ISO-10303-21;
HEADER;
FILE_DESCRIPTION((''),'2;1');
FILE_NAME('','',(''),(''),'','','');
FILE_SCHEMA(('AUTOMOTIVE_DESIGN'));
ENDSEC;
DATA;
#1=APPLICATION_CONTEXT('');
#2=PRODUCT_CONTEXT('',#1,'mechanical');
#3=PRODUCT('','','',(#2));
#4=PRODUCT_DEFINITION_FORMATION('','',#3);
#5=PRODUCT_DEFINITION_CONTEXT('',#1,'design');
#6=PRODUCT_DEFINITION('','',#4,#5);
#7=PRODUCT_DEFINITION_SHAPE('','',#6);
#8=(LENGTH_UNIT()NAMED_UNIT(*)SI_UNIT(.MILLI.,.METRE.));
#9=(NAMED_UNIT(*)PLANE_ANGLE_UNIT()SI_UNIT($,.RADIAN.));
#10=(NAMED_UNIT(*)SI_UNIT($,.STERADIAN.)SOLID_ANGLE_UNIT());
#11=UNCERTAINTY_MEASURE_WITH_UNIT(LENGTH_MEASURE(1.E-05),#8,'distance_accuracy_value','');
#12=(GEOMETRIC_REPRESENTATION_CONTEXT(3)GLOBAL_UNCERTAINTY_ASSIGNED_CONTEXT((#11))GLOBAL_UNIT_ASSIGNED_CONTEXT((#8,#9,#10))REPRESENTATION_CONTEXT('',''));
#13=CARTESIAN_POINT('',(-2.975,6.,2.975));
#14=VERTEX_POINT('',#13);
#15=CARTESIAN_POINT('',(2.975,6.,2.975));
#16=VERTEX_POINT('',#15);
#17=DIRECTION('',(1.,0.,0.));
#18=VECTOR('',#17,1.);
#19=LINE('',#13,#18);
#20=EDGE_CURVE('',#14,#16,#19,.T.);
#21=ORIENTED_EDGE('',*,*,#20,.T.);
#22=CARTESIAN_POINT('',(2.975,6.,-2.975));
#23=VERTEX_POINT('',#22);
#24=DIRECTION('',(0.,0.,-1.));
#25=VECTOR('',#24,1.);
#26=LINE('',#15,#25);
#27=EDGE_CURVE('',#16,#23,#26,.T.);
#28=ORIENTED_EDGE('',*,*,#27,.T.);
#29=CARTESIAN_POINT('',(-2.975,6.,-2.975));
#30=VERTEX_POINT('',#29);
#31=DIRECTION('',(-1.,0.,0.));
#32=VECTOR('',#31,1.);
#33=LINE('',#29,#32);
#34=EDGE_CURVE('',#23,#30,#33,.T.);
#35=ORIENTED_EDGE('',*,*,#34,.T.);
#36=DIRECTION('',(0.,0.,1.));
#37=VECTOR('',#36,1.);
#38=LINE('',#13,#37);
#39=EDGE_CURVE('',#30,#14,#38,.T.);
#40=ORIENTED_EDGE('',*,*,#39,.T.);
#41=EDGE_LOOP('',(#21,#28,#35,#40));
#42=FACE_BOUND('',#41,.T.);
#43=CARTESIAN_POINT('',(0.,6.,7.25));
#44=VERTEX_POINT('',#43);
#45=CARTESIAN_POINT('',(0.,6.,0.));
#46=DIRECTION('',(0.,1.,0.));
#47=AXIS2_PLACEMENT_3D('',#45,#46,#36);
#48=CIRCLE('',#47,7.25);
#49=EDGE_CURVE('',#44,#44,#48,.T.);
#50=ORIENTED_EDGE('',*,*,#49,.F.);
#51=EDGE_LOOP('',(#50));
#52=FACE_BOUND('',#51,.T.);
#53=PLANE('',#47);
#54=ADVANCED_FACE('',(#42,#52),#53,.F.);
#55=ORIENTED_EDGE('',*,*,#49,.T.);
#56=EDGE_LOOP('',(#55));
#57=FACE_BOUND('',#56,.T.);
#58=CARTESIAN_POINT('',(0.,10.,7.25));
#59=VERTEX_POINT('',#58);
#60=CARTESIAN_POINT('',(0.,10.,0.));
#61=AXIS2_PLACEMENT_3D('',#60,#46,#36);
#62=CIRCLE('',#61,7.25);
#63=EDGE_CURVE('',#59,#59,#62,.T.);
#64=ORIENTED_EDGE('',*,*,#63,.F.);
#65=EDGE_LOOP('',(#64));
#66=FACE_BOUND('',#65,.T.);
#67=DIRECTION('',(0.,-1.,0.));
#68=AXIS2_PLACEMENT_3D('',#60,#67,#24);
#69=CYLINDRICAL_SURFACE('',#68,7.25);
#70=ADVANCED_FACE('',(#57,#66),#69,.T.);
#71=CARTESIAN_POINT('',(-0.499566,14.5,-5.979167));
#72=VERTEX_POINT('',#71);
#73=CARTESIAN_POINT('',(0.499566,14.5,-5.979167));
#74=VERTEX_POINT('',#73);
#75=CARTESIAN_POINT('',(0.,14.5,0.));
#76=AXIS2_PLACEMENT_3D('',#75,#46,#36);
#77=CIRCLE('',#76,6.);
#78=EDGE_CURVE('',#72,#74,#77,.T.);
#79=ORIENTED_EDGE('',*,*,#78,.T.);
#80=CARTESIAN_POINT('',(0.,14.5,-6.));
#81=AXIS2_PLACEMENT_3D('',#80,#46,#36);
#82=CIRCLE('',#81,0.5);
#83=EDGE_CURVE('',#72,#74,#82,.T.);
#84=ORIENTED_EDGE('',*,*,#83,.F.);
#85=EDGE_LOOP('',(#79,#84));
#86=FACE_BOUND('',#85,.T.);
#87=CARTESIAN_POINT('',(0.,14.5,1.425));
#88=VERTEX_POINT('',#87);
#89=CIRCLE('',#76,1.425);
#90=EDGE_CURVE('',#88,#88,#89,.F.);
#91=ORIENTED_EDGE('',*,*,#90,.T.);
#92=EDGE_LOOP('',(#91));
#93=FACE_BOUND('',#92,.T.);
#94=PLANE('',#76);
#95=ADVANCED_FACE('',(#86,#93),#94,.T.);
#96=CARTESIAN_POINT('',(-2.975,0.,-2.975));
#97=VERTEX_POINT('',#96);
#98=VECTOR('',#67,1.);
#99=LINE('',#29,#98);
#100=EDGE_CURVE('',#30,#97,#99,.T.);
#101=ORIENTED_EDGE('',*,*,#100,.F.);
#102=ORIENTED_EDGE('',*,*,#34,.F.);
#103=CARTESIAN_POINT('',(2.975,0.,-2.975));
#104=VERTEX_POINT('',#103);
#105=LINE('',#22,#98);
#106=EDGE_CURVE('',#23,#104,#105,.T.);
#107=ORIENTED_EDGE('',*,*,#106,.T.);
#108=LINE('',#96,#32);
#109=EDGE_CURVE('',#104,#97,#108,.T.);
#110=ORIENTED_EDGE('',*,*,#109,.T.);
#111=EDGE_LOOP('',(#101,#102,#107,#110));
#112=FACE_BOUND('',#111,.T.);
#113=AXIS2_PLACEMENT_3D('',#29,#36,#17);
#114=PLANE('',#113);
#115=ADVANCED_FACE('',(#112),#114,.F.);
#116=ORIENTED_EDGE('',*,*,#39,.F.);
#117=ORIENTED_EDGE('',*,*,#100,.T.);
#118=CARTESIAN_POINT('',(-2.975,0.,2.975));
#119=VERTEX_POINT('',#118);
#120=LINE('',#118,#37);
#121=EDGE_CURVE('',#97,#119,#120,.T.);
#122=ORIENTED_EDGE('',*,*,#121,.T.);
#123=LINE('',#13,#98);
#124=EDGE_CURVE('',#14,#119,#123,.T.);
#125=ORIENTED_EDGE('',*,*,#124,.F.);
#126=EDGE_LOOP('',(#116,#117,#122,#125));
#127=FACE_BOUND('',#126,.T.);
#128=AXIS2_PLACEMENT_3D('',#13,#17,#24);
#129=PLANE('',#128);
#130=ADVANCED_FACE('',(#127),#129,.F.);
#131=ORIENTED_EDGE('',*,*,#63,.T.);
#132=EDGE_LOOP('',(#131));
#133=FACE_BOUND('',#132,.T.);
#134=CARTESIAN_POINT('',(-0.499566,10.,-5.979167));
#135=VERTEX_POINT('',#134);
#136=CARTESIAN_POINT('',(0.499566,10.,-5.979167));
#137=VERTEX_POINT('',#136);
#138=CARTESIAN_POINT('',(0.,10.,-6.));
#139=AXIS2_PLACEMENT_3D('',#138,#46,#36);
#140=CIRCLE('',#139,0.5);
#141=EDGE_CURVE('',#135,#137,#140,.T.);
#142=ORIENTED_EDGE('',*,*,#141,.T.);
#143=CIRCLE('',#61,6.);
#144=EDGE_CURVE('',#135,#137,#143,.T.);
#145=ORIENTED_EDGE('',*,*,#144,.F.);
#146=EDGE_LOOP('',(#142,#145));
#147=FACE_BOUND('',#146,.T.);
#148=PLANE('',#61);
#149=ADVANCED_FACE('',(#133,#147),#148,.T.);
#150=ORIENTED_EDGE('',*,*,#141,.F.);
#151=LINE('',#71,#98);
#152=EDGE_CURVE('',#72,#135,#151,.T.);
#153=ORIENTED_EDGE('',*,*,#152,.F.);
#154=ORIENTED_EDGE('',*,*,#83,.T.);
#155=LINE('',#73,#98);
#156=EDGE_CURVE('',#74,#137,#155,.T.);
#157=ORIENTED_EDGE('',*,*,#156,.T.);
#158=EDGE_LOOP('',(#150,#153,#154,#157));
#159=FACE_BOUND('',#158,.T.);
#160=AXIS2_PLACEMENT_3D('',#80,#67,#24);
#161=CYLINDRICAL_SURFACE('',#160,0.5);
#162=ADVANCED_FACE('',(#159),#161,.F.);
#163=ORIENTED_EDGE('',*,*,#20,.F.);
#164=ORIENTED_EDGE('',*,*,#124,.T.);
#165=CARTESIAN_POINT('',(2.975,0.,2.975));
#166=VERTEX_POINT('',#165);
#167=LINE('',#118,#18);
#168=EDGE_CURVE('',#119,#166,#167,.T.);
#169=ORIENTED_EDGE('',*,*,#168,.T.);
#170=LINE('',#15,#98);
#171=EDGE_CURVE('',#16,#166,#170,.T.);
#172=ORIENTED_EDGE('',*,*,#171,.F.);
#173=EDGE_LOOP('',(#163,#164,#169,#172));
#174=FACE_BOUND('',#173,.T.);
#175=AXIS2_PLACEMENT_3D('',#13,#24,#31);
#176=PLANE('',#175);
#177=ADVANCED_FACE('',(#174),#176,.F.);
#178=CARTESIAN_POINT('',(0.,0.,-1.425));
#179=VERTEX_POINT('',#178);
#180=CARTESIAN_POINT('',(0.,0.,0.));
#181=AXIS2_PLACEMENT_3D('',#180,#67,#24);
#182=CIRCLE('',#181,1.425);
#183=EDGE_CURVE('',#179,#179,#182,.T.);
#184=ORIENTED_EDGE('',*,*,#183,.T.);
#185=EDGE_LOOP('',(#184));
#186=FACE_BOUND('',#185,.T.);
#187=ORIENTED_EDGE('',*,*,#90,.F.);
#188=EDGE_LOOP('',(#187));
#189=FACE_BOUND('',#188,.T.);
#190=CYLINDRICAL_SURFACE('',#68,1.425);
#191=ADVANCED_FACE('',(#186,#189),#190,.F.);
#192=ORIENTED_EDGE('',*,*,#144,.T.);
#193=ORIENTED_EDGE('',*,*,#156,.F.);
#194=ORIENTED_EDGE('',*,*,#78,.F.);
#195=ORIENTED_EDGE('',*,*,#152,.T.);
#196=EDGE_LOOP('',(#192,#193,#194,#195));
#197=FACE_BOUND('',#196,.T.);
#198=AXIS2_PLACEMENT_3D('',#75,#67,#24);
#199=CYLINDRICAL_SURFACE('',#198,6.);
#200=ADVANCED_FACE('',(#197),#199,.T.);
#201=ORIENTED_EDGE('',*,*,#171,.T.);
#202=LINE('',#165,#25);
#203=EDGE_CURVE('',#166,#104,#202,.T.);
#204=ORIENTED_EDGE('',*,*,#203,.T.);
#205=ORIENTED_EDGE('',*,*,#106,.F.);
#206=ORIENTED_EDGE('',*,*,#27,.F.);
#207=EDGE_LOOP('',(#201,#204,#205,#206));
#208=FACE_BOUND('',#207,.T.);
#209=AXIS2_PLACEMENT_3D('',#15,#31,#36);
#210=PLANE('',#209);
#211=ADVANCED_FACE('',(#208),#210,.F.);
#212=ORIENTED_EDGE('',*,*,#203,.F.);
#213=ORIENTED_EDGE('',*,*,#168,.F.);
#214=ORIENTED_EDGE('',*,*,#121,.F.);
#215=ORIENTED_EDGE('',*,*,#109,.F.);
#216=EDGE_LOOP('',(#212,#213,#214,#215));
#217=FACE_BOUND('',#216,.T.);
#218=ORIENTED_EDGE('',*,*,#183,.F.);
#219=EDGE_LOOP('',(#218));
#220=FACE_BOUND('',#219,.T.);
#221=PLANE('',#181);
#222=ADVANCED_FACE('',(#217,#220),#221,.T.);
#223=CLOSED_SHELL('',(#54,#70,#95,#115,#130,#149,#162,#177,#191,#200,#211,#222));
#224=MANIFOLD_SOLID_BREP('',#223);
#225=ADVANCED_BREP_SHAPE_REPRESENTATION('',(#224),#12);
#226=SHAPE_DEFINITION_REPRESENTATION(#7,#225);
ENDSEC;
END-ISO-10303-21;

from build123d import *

# Parameters (mm, degrees)
SKETCH1_W           = 5.95
SKETCH1_H           = 5.95
BOSS_EXTRUDE1_DEPTH = 6
SKETCH2_R           = 7.25
BOSS_EXTRUDE2_DEPTH = 4
SKETCH3_R           = 1.425
CUT_EXTRUDE1_DEPTH  = 15.322185587
SKETCH4_R           = 1.425
BOSS_EXTRUDE4_DEPTH = 4.5


with BuildPart() as part:
    # Sketch1 → Boss-Extrude1 (new body)
    with BuildSketch(Plane(origin=(0, 0, 0), x_dir=(1, 0, 0), z_dir=(0, 1, 0))):
        Rectangle(SKETCH1_W, SKETCH1_H)
    extrude(amount=BOSS_EXTRUDE1_DEPTH)

    # Sketch2 → Boss-Extrude2 (add)
    with BuildSketch(Plane(origin=(0, 6, 0), x_dir=(1, 0, 0), z_dir=(0, 1, 0))):
        with Locations(Location((0, 0, 0), (0, 0, 270))):
            Circle(SKETCH2_R)
    extrude(amount=BOSS_EXTRUDE2_DEPTH)

    # Sketch3 → Cut-Extrude1 (cut, through all)
    with BuildSketch(Plane.XZ):
        with Locations(Location((0, 0, 0), (0, 0, 270))):
            Circle(SKETCH3_R)
    extrude(amount=-CUT_EXTRUDE1_DEPTH, mode=Mode.SUBTRACT)

    # Sketch4 → Boss-Extrude4 (add)
    with BuildSketch(Plane(origin=(0, 10, 0), x_dir=(1, 0, 0), z_dir=(0, 1, 0))):
        with BuildLine():
            ThreePointArc((-0.499565784, 5.979166667), (-4.062179544, -4.415732935), (6, 0))
            ThreePointArc((6, 0), (4.415732935, 4.062179544), (0.499565784, 5.979166667))
            ThreePointArc((0.499565784, 5.979166667), (0, 5.5), (-0.499565784, 5.979166667))
        make_face()
        with Locations(Location((0, 0, 0), (0, 0, 90))):
            Circle(SKETCH4_R, mode=Mode.SUBTRACT)
    extrude(amount=BOSS_EXTRUDE4_DEPTH)


solid = part.part
